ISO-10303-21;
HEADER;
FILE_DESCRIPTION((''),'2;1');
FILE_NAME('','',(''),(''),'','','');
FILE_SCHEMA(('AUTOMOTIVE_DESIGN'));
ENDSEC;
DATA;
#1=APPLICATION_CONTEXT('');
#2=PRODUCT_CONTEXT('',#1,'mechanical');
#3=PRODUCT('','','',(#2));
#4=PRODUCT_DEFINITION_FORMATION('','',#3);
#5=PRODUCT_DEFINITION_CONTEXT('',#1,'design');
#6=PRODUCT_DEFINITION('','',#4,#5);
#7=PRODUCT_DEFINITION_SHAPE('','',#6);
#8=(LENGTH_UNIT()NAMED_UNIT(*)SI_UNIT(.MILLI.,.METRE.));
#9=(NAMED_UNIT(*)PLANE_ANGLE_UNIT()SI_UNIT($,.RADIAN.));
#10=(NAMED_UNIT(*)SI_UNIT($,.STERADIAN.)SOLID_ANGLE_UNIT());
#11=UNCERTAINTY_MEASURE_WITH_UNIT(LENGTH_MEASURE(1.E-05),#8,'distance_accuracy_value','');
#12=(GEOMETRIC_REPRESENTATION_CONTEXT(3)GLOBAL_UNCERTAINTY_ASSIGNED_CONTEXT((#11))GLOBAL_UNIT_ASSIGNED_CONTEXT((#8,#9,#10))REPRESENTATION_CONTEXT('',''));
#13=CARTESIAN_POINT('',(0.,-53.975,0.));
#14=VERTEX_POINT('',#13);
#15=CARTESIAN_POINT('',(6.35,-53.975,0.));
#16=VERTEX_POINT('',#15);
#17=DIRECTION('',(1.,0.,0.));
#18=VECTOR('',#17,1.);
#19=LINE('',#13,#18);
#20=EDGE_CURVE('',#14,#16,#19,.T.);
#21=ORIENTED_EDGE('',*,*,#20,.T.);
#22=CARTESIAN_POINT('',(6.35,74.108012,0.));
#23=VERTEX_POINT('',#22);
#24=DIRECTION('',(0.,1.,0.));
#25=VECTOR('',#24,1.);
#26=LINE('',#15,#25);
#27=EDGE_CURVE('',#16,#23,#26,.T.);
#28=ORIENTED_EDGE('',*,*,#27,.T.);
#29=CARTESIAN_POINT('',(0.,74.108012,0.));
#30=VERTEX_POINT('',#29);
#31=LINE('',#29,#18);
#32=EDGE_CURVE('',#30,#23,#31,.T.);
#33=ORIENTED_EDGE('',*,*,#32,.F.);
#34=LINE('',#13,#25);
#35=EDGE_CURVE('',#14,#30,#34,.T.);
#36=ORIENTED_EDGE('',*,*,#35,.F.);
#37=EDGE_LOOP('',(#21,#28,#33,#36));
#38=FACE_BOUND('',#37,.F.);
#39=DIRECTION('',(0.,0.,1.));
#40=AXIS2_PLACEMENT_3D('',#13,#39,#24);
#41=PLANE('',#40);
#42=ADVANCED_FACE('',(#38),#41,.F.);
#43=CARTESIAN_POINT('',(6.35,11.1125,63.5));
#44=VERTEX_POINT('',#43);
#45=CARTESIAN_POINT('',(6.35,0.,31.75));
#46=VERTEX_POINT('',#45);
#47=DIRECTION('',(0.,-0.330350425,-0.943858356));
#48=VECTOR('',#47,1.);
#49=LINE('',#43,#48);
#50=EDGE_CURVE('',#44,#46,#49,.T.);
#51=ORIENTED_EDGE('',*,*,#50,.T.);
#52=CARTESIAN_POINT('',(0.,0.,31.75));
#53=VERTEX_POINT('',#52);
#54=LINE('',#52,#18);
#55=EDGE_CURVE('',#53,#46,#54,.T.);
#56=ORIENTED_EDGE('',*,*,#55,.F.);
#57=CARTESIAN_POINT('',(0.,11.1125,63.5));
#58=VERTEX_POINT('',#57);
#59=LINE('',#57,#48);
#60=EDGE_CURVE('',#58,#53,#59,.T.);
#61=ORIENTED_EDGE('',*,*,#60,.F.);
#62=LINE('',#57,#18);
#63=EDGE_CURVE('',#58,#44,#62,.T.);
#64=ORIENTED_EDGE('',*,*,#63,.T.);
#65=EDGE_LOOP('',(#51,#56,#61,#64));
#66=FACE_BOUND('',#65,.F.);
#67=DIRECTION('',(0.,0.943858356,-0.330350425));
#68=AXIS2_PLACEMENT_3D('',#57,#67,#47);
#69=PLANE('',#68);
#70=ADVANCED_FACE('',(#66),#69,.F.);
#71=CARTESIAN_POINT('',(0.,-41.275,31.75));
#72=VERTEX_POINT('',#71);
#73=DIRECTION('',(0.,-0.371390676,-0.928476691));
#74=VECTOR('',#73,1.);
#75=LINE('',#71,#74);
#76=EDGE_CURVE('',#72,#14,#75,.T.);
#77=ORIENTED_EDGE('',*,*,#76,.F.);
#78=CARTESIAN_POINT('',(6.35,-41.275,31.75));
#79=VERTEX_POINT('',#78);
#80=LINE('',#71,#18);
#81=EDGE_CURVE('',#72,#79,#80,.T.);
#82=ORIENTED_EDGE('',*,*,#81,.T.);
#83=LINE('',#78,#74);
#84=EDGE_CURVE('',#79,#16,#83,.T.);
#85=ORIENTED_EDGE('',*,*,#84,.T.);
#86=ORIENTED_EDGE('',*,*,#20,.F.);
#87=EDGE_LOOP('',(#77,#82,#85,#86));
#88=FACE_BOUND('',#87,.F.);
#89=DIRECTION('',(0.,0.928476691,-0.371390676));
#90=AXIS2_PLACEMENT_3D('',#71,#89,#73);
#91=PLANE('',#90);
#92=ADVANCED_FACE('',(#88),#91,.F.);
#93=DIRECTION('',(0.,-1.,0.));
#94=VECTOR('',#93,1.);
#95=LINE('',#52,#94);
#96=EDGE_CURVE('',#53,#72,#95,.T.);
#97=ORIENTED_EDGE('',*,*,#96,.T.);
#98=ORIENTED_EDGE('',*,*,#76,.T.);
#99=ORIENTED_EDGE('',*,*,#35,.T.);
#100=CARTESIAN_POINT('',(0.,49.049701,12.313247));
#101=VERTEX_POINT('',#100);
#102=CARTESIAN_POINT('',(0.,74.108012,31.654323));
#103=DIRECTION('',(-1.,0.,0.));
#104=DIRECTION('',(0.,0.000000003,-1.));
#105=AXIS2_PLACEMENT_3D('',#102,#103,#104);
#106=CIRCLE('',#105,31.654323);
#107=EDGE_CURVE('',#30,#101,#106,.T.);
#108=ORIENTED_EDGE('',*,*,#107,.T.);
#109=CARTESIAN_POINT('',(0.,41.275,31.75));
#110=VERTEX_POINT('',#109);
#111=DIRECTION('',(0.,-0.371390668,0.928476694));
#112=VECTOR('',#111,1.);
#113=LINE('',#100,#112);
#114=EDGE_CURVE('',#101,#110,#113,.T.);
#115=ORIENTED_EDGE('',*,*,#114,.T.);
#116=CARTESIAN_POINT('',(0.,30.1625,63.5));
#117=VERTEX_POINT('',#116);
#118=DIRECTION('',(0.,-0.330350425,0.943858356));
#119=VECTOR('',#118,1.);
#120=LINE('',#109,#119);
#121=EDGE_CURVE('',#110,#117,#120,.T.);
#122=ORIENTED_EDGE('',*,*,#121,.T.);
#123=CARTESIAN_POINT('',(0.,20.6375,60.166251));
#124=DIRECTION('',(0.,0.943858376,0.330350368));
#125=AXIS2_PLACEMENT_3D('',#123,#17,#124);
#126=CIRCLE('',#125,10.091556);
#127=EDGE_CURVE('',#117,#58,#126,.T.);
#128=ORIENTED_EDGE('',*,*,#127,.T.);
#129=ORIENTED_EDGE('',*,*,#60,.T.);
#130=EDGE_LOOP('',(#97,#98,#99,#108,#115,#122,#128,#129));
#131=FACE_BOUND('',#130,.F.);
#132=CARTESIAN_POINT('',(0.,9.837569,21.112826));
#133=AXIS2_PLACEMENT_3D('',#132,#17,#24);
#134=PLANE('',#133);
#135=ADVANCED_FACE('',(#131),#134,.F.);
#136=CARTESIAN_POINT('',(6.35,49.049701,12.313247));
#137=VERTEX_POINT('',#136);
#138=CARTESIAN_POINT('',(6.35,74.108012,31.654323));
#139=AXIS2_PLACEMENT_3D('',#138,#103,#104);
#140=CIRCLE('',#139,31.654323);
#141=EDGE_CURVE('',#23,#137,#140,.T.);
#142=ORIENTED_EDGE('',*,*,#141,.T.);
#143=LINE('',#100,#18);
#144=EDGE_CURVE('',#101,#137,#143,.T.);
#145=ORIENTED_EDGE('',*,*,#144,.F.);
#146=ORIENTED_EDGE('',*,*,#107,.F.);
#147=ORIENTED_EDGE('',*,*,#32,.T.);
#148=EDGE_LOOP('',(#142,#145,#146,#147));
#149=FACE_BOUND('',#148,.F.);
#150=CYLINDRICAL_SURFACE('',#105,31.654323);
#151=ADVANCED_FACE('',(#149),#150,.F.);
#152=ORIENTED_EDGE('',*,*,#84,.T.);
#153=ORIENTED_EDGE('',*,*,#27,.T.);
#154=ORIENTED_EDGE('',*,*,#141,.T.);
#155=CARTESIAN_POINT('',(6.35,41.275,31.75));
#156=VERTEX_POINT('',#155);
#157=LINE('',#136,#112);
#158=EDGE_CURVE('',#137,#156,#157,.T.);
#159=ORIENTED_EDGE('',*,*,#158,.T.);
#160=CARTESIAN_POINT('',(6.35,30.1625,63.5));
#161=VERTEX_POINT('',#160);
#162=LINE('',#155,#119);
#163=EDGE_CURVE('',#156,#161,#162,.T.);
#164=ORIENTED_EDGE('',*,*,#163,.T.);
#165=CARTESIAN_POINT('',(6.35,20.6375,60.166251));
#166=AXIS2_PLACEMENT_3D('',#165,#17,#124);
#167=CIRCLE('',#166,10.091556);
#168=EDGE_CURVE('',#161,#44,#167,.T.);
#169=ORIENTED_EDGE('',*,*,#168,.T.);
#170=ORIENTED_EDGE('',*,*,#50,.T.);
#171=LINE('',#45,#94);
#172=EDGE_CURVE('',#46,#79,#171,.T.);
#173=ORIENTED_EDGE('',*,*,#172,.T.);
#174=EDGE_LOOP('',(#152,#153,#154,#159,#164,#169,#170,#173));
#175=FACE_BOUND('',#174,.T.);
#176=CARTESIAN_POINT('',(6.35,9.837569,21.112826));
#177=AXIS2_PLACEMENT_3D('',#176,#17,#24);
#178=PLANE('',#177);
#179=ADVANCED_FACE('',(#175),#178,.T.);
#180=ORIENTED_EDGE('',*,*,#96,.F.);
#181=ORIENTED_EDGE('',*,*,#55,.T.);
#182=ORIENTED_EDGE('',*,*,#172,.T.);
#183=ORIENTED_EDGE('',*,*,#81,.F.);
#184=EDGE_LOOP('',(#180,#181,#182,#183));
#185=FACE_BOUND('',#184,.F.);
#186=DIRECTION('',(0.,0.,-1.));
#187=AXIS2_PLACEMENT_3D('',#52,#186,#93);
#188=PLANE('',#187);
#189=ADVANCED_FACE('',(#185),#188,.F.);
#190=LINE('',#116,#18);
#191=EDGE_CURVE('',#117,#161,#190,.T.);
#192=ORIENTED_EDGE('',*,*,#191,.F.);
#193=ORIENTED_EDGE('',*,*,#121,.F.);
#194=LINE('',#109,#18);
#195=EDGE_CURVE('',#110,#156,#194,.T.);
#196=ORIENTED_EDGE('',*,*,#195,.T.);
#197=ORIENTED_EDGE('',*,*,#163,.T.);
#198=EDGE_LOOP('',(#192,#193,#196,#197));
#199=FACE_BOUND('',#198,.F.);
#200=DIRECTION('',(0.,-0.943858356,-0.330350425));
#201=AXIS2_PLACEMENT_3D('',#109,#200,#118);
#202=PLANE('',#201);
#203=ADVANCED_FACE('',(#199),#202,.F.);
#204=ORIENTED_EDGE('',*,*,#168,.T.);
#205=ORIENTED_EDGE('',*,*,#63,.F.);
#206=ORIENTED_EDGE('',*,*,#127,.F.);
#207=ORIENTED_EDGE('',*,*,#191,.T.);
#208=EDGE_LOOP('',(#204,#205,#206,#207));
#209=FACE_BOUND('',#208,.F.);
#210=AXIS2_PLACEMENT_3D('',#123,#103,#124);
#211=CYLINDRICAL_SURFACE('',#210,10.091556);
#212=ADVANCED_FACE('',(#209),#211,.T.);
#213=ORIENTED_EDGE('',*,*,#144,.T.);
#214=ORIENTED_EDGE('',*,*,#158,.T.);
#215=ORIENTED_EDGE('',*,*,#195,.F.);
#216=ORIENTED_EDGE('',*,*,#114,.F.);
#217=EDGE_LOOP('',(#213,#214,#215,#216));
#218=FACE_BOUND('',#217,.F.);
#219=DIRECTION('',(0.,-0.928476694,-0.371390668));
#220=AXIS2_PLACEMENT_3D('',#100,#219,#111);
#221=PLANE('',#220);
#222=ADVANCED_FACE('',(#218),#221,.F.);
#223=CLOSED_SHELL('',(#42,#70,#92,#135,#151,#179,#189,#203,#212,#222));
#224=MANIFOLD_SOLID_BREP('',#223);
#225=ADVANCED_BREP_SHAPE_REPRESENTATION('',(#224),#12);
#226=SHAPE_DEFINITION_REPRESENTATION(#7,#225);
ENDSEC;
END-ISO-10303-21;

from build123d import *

# Parameters (mm, degrees)
F1_DEPTH = 6.35


with BuildPart() as f1:
    # F0 (on Right) → F1 (new body)
    with BuildSketch(Plane.YZ):
        with BuildLine():
            Line((-53.975, 0), (0, 0))
            Line((0, 0), (53.975, 0))
            Line((53.975, 0), (74.108012, 0))
            ThreePointArc((74.108012, 0), (60.147935, 3.244599), (49.049701, 12.313247))
            Line((49.049701, 12.313247), (41.275, 31.75))
            Line((41.275, 31.75), (30.1625, 63.5))
            ThreePointArc((30.1625, 63.5), (20.6375, 70.257807), (11.1125, 63.5))
            Line((11.1125, 63.5), (0, 31.75))
            Line((0, 31.75), (-41.275, 31.75))
            Line((-41.275, 31.75), (-53.975, 0))
        make_face()
    extrude(amount=F1_DEPTH)


solid = f1.part
